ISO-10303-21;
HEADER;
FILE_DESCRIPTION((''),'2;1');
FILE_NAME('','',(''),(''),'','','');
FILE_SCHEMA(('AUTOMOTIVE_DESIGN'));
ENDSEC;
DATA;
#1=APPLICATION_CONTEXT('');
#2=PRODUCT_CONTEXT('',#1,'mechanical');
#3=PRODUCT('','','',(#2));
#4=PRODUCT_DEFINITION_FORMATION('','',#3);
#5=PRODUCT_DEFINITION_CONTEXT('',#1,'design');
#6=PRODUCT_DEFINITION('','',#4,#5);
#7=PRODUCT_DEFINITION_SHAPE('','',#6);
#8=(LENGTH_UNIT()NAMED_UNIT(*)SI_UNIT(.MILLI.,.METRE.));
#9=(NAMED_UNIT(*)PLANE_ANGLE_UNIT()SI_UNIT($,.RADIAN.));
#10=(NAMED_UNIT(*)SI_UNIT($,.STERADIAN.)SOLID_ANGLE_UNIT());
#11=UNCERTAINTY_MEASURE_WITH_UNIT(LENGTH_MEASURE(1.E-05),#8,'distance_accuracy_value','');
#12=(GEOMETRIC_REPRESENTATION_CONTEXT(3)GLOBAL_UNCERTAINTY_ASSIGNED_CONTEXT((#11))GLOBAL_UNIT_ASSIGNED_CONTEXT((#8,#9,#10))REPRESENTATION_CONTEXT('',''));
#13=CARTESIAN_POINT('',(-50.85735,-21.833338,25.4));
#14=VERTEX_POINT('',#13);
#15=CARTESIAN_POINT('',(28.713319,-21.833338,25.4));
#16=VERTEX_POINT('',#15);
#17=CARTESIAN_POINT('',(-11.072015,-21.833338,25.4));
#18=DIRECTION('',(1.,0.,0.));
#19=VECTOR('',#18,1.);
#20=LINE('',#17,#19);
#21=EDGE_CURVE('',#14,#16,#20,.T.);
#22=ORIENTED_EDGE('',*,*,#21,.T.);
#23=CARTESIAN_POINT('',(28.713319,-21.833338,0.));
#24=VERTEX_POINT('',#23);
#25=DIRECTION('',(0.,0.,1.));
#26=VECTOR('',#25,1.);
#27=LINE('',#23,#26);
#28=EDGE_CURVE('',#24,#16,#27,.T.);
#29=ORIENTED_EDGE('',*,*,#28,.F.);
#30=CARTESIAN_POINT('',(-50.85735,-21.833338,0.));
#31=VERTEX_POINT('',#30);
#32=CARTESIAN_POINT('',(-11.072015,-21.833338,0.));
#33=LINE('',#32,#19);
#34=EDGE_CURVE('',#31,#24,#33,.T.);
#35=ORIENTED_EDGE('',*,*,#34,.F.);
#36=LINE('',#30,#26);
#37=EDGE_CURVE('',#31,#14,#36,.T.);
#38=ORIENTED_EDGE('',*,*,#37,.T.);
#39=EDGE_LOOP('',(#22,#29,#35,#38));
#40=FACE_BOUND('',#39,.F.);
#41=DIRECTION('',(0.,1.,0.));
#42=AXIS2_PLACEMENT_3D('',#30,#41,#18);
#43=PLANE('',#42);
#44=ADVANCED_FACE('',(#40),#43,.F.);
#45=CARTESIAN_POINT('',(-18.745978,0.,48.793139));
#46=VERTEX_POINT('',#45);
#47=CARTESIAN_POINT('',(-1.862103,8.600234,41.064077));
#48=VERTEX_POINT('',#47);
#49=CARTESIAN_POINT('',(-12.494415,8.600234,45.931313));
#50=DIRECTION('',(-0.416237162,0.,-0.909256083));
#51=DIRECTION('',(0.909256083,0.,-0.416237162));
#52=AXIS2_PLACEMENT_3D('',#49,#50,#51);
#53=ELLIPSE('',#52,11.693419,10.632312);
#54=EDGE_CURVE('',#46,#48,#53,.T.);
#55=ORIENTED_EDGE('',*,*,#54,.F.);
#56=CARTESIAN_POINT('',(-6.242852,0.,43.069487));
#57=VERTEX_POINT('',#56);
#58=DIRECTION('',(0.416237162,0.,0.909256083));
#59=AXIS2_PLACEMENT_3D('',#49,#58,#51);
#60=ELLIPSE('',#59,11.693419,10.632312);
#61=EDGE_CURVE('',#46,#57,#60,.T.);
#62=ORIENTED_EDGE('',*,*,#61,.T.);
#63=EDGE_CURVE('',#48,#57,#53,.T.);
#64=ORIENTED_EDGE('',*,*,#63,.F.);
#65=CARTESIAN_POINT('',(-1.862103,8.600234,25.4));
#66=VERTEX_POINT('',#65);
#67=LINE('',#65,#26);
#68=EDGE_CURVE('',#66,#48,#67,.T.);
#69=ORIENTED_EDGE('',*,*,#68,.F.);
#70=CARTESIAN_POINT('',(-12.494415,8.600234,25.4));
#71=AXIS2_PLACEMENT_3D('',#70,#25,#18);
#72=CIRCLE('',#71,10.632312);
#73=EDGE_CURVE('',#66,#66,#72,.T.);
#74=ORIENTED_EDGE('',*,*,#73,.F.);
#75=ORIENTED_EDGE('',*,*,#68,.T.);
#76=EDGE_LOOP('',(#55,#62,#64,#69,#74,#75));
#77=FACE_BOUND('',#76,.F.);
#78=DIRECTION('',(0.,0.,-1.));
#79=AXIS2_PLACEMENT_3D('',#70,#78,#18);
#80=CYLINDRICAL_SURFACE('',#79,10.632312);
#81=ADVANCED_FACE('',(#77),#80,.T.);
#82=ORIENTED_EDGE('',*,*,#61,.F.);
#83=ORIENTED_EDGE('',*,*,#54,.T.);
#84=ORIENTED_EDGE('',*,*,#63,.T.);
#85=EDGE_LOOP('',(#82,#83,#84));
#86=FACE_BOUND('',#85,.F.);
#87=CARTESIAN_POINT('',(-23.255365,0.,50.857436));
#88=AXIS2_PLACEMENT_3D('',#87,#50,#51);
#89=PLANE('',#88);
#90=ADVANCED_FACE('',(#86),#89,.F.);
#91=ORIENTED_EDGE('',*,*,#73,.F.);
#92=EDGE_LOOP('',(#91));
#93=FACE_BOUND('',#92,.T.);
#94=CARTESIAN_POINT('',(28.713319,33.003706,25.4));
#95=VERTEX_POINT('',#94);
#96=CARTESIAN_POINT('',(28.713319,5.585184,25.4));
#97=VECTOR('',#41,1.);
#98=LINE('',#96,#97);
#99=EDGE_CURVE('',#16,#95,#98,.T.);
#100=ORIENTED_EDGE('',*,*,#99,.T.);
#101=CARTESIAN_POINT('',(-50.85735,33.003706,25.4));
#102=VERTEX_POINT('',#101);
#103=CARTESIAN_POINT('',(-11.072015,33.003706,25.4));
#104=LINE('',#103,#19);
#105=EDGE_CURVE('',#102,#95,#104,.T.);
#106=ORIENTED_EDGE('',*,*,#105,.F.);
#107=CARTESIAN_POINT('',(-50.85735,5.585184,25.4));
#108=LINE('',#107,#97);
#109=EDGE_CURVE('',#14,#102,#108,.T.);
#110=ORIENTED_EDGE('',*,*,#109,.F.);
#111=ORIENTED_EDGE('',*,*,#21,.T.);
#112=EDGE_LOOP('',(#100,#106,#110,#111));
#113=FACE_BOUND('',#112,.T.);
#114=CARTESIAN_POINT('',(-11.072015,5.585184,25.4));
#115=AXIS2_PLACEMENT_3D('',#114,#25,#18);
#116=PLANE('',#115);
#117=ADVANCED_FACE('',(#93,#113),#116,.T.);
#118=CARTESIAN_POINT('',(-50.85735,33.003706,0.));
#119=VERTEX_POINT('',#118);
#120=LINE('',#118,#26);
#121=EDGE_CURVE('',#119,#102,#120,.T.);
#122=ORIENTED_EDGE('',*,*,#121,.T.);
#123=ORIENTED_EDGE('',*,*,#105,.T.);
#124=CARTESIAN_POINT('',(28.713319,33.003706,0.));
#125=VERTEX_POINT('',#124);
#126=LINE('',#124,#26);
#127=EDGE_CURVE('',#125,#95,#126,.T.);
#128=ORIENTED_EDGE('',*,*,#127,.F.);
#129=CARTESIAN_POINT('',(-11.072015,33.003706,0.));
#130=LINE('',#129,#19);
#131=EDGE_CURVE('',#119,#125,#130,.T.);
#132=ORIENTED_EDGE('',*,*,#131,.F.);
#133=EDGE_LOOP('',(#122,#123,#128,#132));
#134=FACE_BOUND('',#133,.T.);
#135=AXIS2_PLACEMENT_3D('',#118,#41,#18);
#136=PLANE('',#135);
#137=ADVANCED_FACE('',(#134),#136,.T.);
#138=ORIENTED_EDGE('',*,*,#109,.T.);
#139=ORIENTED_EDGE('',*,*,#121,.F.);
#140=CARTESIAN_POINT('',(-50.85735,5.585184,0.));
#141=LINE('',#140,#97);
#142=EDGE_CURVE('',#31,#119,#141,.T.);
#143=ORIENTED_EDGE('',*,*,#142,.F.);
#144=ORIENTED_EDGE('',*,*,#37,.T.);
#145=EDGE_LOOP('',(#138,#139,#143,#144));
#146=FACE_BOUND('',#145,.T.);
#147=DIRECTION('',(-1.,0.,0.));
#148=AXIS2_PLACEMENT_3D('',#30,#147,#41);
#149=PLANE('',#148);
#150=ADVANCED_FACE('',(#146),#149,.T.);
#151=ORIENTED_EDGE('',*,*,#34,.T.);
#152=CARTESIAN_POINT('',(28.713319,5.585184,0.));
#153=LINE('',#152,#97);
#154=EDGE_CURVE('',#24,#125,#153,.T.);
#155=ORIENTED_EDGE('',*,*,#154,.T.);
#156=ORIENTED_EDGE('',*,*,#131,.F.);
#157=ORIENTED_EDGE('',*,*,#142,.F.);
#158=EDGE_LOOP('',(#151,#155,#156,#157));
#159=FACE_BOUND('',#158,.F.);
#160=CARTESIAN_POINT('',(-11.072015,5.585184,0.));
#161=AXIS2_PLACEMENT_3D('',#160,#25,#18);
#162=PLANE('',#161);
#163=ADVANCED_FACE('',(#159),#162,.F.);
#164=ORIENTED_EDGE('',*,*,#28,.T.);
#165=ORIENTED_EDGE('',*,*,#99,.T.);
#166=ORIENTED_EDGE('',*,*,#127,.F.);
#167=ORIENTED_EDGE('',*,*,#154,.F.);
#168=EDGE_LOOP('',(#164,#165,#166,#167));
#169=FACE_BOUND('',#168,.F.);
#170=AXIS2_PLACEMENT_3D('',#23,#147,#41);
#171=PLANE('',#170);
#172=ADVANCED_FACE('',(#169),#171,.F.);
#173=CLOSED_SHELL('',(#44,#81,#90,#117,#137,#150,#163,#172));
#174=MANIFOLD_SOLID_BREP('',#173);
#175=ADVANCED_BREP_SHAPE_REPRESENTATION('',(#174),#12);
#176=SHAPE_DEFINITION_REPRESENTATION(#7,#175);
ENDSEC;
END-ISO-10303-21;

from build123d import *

# Parameters (mm, degrees)
F0_W          = 79.5706696808
F0_H          = 54.8370443285
F1_DEPTH      = 25.4
F2_R          = 10.632312462
F3_DEPTH      = 25.4
F5_DEPTH      = 27.178
F5_DEPTH_BACK = 32.766


with BuildPart() as f1:
    # F0 (on Top) → F1 (new body)
    with BuildSketch(Plane.XY):
        with Locations((-11.0720153898, 5.5851843208)):
            Rectangle(F0_W, F0_H)
    extrude(amount=F1_DEPTH)

    # F2 (on face) → F3 (join)
    with BuildSketch(Plane.XY.offset(25.4)):
        with Locations((-12.4944150448, 8.600234054)):
            Circle(F2_R)
    extrude(amount=F3_DEPTH)

    # F4 (on Front) → F5 (cut, two sides)
    with BuildSketch(Plane.XZ) as f5_sk:
        Polygon((-1.411169651, 50.8574359119), (-23.2553649694, 50.8574359119), (-1.411169651, 40.8576503396), align=None)
    extrude(amount=-F5_DEPTH, mode=Mode.SUBTRACT)
    extrude(f5_sk.sketch, amount=F5_DEPTH_BACK, mode=Mode.SUBTRACT)


solid = f1.part
